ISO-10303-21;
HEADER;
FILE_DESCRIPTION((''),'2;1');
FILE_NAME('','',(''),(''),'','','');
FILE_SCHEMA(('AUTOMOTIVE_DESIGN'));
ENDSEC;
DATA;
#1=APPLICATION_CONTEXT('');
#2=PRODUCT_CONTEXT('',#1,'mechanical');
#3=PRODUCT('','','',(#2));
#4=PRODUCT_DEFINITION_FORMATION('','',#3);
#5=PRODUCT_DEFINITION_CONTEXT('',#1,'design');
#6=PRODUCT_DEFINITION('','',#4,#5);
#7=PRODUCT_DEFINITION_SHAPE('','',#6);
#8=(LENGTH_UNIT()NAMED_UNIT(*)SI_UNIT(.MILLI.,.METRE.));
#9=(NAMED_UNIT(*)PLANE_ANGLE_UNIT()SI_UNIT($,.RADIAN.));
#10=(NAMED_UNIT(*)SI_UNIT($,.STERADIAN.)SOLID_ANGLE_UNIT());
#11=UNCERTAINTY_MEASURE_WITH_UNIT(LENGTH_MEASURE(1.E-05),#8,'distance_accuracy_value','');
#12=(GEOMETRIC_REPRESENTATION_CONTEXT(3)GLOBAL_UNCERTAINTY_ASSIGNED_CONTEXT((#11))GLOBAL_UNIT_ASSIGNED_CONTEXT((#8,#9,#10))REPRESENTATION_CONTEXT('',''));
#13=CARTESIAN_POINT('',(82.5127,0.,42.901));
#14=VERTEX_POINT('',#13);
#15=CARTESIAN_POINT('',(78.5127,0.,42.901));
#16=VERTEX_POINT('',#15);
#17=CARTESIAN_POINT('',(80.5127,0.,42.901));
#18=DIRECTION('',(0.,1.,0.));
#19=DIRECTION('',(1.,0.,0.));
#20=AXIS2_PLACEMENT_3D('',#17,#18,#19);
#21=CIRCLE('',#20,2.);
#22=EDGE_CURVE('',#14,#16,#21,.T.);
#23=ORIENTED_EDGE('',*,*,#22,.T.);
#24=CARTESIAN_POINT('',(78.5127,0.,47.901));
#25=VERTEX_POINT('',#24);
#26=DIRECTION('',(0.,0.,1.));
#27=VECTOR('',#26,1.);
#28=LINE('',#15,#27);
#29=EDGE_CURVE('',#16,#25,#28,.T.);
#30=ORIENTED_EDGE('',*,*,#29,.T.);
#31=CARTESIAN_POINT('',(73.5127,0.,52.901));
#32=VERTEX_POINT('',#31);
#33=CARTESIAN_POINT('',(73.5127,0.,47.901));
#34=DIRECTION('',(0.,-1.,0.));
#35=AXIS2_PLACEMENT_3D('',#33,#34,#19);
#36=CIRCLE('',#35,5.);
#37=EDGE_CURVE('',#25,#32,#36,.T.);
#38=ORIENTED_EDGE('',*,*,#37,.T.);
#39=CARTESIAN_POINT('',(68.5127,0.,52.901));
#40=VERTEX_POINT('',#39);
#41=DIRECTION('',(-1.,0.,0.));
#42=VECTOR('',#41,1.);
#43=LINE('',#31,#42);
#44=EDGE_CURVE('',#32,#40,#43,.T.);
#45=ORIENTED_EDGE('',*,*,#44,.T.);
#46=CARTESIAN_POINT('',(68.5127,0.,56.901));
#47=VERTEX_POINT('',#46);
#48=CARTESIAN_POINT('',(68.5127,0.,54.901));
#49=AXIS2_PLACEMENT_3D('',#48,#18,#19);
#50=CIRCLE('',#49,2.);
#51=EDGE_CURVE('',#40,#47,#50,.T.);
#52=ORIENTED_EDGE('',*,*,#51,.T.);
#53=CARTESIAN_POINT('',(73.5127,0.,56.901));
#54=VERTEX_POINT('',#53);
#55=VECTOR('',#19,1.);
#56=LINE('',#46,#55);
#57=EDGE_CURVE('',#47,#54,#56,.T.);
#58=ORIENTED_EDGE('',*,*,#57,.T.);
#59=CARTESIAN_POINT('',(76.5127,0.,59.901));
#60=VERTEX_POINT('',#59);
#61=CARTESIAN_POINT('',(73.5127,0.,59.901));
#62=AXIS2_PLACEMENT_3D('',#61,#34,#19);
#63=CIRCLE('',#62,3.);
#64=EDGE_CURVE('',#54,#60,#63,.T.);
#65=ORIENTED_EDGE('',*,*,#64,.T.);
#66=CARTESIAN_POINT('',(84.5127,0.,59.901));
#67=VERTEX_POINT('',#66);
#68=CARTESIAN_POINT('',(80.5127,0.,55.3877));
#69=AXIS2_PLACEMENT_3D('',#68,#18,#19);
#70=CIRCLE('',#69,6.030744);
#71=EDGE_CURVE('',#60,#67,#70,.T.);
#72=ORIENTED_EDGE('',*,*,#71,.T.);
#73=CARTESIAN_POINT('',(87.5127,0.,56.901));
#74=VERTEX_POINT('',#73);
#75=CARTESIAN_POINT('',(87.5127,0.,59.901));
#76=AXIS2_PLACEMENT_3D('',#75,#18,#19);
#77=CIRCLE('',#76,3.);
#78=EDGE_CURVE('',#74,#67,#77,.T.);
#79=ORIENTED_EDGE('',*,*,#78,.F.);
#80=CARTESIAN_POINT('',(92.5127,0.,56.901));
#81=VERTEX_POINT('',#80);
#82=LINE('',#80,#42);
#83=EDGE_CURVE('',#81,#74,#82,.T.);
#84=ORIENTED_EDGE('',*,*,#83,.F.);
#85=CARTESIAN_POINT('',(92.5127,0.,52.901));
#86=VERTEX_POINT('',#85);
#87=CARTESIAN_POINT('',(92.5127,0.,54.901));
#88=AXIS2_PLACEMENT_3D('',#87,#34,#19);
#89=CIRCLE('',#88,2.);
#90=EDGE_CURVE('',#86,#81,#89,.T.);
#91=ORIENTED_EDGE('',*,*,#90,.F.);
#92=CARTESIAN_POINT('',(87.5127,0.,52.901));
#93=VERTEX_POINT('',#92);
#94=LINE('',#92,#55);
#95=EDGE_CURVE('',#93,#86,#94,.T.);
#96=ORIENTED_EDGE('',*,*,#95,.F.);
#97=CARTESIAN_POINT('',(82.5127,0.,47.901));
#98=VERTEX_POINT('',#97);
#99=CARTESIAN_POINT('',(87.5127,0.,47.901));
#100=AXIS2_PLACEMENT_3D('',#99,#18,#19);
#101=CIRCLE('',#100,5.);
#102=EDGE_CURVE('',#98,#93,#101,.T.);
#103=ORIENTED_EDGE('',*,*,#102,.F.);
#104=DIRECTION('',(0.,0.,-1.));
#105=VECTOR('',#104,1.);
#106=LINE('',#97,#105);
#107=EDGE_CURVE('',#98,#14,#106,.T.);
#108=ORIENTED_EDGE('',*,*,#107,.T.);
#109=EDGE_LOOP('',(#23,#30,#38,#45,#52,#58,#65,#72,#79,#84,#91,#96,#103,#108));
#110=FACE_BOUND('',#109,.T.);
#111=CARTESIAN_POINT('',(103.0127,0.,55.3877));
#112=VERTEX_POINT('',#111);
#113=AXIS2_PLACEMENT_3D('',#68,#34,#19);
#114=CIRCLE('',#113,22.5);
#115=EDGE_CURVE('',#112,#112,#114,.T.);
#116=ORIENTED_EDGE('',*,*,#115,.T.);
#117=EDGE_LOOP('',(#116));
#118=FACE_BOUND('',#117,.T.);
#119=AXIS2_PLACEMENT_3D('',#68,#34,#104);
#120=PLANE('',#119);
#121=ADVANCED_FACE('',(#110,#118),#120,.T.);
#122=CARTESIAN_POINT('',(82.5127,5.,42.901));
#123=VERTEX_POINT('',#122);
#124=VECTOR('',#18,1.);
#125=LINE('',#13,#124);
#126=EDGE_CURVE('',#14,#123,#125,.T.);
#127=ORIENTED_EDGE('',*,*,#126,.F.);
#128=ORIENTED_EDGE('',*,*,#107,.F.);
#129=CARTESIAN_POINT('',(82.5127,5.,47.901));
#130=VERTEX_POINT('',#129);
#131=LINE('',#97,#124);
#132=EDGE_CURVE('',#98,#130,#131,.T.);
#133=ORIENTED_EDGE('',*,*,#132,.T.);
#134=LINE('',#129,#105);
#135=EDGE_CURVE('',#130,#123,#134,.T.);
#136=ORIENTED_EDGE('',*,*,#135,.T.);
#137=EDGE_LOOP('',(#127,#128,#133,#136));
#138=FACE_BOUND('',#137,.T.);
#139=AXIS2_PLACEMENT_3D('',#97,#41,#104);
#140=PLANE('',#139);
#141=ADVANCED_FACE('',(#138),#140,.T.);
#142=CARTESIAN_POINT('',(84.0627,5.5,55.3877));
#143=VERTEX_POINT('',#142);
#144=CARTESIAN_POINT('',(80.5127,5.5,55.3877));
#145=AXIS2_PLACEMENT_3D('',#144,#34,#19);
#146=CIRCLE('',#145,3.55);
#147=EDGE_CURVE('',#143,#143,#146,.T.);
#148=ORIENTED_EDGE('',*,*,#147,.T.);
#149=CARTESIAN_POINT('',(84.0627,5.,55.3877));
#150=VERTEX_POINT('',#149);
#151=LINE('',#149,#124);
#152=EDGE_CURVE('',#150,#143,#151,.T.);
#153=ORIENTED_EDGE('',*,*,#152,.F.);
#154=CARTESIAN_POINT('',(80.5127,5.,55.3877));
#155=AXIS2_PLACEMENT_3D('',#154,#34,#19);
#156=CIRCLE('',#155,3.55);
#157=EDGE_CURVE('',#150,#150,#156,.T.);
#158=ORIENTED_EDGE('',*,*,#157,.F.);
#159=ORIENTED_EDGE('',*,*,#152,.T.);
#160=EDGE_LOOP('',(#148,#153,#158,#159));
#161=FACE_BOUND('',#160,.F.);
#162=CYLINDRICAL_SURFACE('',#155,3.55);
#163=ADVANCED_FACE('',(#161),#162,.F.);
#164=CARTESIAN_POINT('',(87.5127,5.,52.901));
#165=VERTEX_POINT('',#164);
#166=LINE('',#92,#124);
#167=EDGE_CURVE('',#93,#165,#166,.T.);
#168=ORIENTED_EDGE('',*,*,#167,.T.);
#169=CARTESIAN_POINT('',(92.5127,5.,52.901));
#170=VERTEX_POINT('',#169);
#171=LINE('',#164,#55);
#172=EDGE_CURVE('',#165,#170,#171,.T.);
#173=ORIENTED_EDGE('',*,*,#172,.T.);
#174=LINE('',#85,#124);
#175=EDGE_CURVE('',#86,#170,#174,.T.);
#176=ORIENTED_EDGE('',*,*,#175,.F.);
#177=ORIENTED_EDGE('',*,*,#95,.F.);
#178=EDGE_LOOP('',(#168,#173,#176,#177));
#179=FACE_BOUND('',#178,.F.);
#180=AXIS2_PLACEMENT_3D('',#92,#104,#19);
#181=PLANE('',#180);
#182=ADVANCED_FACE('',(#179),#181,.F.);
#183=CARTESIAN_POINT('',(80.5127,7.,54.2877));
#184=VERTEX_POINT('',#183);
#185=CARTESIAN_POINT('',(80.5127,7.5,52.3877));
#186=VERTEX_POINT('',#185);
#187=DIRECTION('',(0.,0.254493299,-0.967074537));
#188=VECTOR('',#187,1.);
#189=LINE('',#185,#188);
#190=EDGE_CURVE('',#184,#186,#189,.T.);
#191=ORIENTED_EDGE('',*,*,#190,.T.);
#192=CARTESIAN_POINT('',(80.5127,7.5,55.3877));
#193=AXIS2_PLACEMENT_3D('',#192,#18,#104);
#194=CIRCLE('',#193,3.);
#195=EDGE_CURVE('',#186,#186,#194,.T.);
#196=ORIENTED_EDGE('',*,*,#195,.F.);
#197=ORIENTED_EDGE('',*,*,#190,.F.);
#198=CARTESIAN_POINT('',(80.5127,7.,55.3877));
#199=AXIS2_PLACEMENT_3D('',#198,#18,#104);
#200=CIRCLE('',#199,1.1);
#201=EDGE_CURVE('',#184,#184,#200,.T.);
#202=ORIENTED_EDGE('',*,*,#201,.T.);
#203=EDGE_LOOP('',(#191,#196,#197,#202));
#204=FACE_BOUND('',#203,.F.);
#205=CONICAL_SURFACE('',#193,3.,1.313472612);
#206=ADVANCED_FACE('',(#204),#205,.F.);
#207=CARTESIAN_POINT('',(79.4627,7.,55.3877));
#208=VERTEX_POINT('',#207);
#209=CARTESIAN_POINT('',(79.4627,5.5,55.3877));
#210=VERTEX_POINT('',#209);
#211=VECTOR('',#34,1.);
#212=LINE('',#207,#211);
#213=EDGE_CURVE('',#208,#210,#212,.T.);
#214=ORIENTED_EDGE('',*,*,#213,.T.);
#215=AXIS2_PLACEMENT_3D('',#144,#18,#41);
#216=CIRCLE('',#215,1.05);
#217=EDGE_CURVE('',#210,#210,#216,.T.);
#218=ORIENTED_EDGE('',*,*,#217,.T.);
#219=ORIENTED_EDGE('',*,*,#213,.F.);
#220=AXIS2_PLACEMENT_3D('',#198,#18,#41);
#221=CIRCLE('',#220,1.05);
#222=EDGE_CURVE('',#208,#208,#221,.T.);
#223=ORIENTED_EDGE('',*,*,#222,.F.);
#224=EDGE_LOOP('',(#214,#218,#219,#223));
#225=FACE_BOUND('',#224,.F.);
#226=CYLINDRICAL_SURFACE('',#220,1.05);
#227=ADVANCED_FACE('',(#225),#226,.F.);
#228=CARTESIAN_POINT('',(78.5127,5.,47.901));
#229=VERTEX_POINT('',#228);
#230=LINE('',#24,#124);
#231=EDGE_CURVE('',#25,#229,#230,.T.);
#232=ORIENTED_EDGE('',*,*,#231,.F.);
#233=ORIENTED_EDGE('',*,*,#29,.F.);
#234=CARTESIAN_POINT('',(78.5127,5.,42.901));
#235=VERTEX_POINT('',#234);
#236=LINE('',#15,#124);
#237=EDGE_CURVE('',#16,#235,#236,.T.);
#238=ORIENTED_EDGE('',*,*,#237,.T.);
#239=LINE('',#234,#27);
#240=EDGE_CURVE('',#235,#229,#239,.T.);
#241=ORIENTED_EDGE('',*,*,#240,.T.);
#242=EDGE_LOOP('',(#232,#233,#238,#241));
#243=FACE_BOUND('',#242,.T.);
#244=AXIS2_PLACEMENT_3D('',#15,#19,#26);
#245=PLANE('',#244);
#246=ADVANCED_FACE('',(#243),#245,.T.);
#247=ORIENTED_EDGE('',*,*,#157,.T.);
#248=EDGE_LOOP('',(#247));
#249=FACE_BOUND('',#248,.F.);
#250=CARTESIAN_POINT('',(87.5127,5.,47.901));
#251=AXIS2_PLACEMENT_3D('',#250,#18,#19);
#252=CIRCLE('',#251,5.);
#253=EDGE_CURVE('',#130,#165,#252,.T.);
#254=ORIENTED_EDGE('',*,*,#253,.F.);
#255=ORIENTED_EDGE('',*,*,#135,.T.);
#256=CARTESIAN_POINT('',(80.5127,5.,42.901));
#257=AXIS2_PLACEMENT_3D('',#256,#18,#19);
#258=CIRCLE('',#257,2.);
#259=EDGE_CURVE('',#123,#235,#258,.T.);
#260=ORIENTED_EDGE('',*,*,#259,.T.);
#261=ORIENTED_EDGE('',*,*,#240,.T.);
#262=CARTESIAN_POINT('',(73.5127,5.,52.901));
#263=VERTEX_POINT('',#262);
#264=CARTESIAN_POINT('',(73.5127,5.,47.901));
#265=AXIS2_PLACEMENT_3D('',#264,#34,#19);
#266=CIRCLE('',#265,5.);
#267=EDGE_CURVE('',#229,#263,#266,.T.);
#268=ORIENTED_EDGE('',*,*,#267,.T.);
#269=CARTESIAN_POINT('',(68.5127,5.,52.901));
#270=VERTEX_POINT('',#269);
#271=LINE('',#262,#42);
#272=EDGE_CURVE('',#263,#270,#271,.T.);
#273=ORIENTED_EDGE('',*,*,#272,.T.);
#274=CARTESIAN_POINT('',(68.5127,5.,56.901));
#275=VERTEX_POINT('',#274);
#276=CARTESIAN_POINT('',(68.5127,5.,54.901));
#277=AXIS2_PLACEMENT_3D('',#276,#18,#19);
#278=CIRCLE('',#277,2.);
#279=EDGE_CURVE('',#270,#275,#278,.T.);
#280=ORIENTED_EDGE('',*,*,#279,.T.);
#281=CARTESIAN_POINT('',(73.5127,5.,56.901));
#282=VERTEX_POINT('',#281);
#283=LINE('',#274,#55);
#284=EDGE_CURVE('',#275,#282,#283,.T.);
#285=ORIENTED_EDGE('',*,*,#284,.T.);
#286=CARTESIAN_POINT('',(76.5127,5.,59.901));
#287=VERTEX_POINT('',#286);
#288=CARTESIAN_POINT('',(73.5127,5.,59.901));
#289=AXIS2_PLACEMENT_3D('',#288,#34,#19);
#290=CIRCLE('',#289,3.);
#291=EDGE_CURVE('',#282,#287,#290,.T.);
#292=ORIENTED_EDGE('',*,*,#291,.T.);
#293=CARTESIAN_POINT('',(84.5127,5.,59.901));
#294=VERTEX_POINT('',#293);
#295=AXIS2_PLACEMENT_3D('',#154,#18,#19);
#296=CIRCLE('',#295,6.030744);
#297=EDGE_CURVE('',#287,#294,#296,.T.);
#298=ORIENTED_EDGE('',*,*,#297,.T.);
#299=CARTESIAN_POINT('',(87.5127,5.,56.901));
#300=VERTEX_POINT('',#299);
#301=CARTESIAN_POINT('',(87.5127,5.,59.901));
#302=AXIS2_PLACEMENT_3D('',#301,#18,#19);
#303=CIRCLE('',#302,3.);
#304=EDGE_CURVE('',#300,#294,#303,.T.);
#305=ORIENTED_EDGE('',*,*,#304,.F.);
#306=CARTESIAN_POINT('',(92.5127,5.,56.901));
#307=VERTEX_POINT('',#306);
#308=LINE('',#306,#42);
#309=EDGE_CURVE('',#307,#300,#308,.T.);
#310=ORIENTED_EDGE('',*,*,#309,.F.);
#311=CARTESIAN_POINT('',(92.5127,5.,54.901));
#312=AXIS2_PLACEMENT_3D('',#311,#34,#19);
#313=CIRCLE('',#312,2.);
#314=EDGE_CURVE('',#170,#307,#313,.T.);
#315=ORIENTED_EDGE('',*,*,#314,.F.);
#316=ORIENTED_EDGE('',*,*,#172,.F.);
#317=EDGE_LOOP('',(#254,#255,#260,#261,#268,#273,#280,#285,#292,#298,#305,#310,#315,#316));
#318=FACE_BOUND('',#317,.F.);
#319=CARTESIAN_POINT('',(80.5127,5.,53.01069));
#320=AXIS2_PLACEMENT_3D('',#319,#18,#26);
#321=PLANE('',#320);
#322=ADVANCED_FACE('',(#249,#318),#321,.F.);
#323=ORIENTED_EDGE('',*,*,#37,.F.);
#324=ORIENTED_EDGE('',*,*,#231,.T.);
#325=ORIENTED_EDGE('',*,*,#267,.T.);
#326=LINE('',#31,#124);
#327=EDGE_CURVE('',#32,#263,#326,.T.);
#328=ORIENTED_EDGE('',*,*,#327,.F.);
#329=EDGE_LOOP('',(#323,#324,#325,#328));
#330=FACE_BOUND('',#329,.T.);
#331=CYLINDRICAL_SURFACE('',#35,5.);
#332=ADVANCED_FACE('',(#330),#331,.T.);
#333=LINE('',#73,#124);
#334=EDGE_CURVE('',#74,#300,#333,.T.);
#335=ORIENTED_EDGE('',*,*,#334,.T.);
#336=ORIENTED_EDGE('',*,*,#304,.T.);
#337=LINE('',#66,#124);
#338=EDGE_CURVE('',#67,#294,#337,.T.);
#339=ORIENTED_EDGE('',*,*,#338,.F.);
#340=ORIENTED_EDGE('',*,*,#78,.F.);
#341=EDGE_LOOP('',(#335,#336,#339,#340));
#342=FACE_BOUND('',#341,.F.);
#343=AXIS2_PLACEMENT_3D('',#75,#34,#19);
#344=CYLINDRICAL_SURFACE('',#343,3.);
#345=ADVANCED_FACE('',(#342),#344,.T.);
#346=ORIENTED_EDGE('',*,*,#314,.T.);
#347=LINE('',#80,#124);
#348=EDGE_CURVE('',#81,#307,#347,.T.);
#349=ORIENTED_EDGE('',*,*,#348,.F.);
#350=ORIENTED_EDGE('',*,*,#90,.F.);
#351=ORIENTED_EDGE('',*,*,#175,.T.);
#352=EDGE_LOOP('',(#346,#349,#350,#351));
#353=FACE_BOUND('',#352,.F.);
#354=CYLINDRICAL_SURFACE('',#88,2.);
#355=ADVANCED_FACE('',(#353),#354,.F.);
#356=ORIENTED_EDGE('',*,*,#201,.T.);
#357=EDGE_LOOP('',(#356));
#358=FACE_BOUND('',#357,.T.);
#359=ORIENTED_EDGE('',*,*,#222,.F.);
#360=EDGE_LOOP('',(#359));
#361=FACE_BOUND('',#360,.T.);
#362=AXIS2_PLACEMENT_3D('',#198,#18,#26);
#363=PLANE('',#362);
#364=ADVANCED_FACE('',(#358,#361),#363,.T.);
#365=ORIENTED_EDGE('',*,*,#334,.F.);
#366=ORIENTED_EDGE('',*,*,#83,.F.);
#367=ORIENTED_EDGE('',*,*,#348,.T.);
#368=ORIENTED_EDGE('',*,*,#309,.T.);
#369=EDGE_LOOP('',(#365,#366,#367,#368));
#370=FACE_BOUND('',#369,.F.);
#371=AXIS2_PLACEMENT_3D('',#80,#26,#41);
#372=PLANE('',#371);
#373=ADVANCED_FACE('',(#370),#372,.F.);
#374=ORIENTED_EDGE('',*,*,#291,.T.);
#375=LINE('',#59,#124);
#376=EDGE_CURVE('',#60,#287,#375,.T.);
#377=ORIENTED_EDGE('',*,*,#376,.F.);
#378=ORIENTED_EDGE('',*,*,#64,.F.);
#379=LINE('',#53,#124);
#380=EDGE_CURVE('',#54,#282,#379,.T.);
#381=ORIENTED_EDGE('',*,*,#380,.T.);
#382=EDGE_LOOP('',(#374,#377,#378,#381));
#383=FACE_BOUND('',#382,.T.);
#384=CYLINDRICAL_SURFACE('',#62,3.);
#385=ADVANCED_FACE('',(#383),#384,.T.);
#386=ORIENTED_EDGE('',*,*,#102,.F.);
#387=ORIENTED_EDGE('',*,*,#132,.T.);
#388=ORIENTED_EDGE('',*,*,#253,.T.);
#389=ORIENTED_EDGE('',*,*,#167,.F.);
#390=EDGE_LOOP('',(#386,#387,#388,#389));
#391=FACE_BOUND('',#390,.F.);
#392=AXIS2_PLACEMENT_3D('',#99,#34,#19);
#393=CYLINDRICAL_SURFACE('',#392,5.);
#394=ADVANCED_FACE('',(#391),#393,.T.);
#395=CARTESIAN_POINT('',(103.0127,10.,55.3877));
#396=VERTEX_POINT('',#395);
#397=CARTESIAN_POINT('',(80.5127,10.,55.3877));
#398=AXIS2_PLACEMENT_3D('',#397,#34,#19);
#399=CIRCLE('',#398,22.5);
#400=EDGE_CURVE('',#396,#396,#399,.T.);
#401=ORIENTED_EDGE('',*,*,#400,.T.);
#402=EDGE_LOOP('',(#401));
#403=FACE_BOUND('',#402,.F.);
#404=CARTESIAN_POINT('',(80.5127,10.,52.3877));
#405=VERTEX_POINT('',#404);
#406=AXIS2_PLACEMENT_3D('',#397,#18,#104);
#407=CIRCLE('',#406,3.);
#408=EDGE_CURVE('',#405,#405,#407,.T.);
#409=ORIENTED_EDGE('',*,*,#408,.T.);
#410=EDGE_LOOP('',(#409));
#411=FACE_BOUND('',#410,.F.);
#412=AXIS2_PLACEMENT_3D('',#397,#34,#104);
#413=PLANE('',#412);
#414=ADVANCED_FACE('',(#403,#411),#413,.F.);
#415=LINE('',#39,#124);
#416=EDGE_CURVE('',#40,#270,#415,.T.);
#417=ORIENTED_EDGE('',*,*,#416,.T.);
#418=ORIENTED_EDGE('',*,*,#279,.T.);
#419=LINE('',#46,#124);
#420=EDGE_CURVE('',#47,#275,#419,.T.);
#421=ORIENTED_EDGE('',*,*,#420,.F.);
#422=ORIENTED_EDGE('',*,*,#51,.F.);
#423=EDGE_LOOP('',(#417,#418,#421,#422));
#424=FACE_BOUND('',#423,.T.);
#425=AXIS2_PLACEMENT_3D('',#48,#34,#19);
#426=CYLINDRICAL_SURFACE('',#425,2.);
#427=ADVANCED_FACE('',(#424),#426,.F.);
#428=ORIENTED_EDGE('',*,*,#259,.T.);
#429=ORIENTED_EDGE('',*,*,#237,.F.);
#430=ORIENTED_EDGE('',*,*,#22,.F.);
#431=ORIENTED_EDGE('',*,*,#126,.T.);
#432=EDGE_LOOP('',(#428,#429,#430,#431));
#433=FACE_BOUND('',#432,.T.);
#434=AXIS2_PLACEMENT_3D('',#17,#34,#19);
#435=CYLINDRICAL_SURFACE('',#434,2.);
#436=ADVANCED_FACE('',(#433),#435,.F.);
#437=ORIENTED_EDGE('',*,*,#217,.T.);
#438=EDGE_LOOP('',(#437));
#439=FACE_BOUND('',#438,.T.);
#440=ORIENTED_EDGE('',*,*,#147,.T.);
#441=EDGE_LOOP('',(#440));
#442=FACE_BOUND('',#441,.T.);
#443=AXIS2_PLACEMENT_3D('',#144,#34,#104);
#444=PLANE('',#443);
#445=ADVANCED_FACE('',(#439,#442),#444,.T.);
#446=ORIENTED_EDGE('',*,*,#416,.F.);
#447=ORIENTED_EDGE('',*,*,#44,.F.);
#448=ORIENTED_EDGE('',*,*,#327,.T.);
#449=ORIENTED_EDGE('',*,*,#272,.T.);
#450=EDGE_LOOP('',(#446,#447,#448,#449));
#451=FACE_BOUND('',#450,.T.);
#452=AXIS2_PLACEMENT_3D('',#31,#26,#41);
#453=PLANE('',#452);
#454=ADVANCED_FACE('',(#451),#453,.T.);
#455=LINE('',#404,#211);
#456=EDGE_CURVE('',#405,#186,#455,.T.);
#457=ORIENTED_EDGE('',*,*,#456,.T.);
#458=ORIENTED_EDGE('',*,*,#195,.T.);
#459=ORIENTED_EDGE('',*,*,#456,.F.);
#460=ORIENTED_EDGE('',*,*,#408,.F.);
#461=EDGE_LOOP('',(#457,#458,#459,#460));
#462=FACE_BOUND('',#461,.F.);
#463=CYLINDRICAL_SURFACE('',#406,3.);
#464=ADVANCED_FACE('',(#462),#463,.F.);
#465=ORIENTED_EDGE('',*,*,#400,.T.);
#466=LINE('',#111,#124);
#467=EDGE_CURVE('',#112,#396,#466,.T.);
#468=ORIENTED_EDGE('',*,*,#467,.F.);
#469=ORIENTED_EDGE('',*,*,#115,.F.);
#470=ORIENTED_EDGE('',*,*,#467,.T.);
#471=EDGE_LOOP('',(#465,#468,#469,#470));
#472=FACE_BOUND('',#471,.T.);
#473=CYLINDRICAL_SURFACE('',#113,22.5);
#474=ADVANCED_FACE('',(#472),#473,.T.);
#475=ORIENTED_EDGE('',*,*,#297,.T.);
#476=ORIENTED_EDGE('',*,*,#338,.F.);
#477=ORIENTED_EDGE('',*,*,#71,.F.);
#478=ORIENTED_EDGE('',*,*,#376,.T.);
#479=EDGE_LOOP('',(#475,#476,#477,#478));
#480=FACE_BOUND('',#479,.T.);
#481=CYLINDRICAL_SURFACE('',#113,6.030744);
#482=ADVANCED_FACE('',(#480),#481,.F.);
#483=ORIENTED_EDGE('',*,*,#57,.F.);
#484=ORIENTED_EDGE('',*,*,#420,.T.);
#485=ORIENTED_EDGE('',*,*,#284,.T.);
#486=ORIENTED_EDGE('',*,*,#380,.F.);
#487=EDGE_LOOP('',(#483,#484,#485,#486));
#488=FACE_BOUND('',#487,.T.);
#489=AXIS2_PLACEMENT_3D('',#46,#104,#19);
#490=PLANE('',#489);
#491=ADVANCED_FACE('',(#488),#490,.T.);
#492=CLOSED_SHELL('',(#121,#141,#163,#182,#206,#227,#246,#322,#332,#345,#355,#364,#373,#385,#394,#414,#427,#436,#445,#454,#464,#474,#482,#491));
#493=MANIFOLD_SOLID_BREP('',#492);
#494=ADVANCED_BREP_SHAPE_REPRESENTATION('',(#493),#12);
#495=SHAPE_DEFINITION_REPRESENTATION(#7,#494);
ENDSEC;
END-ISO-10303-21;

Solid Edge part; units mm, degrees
sketch "Sketch1" plane through (0, 0, 0) normal (0, -1, 0) x (1, 0, 0)
  circle A0 centre (80.5127, 55.3877) radius 22.5
  dimension "D1" = 45
extrude "ExtrudedProtrusion_1" add sketch "Sketch1" against normal blind 10
sketch "Sketch2" plane through (63.9305, 0, 41.9251) normal (0, -1, 0) x (1, 0, 0)
  line L0 (18.5822, 5.9759) -> (18.5822, 0.9759)
  arc A0 (18.5822, 0.9759) -> (14.5822, 0.9759) centre (16.5822, 0.9759) cw
  line L1 (14.5822, 0.9759) -> (14.5822, 5.9759)
  arc A1 (14.5822, 5.9759) -> (9.5822, 10.9759) centre (9.5822, 5.9759) ccw
  line L2 (9.5822, 10.9759) -> (4.5822, 10.9759)
  arc A2 (4.5822, 10.9759) -> (4.5822, 14.9759) centre (4.5822, 12.9759) cw
  line L3 (4.5822, 14.9759) -> (9.5822, 14.9759)
  arc A3 (9.5822, 14.9759) -> (12.5822, 17.9759) centre (9.5822, 17.9759) ccw
  arc A4 (12.5822, 17.9759) -> (20.5822, 17.9759) centre (16.5822, 13.4626) cw
  arc A5 (23.5822, 14.9759) -> (20.5822, 17.9759) centre (23.5822, 17.9759) cw
  line L4 (28.5822, 14.9759) -> (23.5822, 14.9759)
  arc A6 (28.5822, 10.9759) -> (28.5822, 14.9759) centre (28.5822, 12.9759) ccw
  line L5 (23.5822, 10.9759) -> (28.5822, 10.9759)
  arc A7 (18.5822, 5.9759) -> (23.5822, 10.9759) centre (23.5822, 5.9759) cw
  dimension "D1" = 5
  dimension "D2" = 2
  dimension "D3" = 5
  dimension "D4" = 5
  dimension "D5" = 5
  dimension "D6" = 2
  dimension "D7" = 5
  dimension "D8" = 5
  dimension "D9" = 2
  dimension "D10" = 5
  dimension "D11" = 5
  dimension "D12" = 3
  dimension "D13" = 3
extrude "Cutout1" cut sketch "Sketch2" against normal blind 5
sketch "Sketch3" plane through (80.5127, 10, 55.3877) normal (0, 1, 0) x (0, 0, -1)
  circle A0 centre (0, 0) radius 3
extrude "ExtrudedCutout_5" cut sketch "Sketch3" against normal blind 3
sketch "Sketch4" plane through (80.5127, 7, 55.3877) normal (0, 1, 0) x (-1, 0, 0)
  circle A0 centre (0, 0) radius 1.05
  dimension "D1" = 2.1
extrude "Cutout2" cut sketch "Sketch4" against normal up to next
sketch "Sketch5" plane through (80.5127, 5, 51.1598) normal (0, -1, 0) x (1, 0, 0)
  circle A0 centre (0, 4.2279) radius 3.55
extrude "ExtrudedCutout_7" cut sketch "Sketch5" against normal blind 0.5
chamfer "Chamfer_2" distance 1.9 distance2 0.5 1 edges at (80.5127, 7, 58.3877) measured on face at (78.5727, 7, 53.3277)
